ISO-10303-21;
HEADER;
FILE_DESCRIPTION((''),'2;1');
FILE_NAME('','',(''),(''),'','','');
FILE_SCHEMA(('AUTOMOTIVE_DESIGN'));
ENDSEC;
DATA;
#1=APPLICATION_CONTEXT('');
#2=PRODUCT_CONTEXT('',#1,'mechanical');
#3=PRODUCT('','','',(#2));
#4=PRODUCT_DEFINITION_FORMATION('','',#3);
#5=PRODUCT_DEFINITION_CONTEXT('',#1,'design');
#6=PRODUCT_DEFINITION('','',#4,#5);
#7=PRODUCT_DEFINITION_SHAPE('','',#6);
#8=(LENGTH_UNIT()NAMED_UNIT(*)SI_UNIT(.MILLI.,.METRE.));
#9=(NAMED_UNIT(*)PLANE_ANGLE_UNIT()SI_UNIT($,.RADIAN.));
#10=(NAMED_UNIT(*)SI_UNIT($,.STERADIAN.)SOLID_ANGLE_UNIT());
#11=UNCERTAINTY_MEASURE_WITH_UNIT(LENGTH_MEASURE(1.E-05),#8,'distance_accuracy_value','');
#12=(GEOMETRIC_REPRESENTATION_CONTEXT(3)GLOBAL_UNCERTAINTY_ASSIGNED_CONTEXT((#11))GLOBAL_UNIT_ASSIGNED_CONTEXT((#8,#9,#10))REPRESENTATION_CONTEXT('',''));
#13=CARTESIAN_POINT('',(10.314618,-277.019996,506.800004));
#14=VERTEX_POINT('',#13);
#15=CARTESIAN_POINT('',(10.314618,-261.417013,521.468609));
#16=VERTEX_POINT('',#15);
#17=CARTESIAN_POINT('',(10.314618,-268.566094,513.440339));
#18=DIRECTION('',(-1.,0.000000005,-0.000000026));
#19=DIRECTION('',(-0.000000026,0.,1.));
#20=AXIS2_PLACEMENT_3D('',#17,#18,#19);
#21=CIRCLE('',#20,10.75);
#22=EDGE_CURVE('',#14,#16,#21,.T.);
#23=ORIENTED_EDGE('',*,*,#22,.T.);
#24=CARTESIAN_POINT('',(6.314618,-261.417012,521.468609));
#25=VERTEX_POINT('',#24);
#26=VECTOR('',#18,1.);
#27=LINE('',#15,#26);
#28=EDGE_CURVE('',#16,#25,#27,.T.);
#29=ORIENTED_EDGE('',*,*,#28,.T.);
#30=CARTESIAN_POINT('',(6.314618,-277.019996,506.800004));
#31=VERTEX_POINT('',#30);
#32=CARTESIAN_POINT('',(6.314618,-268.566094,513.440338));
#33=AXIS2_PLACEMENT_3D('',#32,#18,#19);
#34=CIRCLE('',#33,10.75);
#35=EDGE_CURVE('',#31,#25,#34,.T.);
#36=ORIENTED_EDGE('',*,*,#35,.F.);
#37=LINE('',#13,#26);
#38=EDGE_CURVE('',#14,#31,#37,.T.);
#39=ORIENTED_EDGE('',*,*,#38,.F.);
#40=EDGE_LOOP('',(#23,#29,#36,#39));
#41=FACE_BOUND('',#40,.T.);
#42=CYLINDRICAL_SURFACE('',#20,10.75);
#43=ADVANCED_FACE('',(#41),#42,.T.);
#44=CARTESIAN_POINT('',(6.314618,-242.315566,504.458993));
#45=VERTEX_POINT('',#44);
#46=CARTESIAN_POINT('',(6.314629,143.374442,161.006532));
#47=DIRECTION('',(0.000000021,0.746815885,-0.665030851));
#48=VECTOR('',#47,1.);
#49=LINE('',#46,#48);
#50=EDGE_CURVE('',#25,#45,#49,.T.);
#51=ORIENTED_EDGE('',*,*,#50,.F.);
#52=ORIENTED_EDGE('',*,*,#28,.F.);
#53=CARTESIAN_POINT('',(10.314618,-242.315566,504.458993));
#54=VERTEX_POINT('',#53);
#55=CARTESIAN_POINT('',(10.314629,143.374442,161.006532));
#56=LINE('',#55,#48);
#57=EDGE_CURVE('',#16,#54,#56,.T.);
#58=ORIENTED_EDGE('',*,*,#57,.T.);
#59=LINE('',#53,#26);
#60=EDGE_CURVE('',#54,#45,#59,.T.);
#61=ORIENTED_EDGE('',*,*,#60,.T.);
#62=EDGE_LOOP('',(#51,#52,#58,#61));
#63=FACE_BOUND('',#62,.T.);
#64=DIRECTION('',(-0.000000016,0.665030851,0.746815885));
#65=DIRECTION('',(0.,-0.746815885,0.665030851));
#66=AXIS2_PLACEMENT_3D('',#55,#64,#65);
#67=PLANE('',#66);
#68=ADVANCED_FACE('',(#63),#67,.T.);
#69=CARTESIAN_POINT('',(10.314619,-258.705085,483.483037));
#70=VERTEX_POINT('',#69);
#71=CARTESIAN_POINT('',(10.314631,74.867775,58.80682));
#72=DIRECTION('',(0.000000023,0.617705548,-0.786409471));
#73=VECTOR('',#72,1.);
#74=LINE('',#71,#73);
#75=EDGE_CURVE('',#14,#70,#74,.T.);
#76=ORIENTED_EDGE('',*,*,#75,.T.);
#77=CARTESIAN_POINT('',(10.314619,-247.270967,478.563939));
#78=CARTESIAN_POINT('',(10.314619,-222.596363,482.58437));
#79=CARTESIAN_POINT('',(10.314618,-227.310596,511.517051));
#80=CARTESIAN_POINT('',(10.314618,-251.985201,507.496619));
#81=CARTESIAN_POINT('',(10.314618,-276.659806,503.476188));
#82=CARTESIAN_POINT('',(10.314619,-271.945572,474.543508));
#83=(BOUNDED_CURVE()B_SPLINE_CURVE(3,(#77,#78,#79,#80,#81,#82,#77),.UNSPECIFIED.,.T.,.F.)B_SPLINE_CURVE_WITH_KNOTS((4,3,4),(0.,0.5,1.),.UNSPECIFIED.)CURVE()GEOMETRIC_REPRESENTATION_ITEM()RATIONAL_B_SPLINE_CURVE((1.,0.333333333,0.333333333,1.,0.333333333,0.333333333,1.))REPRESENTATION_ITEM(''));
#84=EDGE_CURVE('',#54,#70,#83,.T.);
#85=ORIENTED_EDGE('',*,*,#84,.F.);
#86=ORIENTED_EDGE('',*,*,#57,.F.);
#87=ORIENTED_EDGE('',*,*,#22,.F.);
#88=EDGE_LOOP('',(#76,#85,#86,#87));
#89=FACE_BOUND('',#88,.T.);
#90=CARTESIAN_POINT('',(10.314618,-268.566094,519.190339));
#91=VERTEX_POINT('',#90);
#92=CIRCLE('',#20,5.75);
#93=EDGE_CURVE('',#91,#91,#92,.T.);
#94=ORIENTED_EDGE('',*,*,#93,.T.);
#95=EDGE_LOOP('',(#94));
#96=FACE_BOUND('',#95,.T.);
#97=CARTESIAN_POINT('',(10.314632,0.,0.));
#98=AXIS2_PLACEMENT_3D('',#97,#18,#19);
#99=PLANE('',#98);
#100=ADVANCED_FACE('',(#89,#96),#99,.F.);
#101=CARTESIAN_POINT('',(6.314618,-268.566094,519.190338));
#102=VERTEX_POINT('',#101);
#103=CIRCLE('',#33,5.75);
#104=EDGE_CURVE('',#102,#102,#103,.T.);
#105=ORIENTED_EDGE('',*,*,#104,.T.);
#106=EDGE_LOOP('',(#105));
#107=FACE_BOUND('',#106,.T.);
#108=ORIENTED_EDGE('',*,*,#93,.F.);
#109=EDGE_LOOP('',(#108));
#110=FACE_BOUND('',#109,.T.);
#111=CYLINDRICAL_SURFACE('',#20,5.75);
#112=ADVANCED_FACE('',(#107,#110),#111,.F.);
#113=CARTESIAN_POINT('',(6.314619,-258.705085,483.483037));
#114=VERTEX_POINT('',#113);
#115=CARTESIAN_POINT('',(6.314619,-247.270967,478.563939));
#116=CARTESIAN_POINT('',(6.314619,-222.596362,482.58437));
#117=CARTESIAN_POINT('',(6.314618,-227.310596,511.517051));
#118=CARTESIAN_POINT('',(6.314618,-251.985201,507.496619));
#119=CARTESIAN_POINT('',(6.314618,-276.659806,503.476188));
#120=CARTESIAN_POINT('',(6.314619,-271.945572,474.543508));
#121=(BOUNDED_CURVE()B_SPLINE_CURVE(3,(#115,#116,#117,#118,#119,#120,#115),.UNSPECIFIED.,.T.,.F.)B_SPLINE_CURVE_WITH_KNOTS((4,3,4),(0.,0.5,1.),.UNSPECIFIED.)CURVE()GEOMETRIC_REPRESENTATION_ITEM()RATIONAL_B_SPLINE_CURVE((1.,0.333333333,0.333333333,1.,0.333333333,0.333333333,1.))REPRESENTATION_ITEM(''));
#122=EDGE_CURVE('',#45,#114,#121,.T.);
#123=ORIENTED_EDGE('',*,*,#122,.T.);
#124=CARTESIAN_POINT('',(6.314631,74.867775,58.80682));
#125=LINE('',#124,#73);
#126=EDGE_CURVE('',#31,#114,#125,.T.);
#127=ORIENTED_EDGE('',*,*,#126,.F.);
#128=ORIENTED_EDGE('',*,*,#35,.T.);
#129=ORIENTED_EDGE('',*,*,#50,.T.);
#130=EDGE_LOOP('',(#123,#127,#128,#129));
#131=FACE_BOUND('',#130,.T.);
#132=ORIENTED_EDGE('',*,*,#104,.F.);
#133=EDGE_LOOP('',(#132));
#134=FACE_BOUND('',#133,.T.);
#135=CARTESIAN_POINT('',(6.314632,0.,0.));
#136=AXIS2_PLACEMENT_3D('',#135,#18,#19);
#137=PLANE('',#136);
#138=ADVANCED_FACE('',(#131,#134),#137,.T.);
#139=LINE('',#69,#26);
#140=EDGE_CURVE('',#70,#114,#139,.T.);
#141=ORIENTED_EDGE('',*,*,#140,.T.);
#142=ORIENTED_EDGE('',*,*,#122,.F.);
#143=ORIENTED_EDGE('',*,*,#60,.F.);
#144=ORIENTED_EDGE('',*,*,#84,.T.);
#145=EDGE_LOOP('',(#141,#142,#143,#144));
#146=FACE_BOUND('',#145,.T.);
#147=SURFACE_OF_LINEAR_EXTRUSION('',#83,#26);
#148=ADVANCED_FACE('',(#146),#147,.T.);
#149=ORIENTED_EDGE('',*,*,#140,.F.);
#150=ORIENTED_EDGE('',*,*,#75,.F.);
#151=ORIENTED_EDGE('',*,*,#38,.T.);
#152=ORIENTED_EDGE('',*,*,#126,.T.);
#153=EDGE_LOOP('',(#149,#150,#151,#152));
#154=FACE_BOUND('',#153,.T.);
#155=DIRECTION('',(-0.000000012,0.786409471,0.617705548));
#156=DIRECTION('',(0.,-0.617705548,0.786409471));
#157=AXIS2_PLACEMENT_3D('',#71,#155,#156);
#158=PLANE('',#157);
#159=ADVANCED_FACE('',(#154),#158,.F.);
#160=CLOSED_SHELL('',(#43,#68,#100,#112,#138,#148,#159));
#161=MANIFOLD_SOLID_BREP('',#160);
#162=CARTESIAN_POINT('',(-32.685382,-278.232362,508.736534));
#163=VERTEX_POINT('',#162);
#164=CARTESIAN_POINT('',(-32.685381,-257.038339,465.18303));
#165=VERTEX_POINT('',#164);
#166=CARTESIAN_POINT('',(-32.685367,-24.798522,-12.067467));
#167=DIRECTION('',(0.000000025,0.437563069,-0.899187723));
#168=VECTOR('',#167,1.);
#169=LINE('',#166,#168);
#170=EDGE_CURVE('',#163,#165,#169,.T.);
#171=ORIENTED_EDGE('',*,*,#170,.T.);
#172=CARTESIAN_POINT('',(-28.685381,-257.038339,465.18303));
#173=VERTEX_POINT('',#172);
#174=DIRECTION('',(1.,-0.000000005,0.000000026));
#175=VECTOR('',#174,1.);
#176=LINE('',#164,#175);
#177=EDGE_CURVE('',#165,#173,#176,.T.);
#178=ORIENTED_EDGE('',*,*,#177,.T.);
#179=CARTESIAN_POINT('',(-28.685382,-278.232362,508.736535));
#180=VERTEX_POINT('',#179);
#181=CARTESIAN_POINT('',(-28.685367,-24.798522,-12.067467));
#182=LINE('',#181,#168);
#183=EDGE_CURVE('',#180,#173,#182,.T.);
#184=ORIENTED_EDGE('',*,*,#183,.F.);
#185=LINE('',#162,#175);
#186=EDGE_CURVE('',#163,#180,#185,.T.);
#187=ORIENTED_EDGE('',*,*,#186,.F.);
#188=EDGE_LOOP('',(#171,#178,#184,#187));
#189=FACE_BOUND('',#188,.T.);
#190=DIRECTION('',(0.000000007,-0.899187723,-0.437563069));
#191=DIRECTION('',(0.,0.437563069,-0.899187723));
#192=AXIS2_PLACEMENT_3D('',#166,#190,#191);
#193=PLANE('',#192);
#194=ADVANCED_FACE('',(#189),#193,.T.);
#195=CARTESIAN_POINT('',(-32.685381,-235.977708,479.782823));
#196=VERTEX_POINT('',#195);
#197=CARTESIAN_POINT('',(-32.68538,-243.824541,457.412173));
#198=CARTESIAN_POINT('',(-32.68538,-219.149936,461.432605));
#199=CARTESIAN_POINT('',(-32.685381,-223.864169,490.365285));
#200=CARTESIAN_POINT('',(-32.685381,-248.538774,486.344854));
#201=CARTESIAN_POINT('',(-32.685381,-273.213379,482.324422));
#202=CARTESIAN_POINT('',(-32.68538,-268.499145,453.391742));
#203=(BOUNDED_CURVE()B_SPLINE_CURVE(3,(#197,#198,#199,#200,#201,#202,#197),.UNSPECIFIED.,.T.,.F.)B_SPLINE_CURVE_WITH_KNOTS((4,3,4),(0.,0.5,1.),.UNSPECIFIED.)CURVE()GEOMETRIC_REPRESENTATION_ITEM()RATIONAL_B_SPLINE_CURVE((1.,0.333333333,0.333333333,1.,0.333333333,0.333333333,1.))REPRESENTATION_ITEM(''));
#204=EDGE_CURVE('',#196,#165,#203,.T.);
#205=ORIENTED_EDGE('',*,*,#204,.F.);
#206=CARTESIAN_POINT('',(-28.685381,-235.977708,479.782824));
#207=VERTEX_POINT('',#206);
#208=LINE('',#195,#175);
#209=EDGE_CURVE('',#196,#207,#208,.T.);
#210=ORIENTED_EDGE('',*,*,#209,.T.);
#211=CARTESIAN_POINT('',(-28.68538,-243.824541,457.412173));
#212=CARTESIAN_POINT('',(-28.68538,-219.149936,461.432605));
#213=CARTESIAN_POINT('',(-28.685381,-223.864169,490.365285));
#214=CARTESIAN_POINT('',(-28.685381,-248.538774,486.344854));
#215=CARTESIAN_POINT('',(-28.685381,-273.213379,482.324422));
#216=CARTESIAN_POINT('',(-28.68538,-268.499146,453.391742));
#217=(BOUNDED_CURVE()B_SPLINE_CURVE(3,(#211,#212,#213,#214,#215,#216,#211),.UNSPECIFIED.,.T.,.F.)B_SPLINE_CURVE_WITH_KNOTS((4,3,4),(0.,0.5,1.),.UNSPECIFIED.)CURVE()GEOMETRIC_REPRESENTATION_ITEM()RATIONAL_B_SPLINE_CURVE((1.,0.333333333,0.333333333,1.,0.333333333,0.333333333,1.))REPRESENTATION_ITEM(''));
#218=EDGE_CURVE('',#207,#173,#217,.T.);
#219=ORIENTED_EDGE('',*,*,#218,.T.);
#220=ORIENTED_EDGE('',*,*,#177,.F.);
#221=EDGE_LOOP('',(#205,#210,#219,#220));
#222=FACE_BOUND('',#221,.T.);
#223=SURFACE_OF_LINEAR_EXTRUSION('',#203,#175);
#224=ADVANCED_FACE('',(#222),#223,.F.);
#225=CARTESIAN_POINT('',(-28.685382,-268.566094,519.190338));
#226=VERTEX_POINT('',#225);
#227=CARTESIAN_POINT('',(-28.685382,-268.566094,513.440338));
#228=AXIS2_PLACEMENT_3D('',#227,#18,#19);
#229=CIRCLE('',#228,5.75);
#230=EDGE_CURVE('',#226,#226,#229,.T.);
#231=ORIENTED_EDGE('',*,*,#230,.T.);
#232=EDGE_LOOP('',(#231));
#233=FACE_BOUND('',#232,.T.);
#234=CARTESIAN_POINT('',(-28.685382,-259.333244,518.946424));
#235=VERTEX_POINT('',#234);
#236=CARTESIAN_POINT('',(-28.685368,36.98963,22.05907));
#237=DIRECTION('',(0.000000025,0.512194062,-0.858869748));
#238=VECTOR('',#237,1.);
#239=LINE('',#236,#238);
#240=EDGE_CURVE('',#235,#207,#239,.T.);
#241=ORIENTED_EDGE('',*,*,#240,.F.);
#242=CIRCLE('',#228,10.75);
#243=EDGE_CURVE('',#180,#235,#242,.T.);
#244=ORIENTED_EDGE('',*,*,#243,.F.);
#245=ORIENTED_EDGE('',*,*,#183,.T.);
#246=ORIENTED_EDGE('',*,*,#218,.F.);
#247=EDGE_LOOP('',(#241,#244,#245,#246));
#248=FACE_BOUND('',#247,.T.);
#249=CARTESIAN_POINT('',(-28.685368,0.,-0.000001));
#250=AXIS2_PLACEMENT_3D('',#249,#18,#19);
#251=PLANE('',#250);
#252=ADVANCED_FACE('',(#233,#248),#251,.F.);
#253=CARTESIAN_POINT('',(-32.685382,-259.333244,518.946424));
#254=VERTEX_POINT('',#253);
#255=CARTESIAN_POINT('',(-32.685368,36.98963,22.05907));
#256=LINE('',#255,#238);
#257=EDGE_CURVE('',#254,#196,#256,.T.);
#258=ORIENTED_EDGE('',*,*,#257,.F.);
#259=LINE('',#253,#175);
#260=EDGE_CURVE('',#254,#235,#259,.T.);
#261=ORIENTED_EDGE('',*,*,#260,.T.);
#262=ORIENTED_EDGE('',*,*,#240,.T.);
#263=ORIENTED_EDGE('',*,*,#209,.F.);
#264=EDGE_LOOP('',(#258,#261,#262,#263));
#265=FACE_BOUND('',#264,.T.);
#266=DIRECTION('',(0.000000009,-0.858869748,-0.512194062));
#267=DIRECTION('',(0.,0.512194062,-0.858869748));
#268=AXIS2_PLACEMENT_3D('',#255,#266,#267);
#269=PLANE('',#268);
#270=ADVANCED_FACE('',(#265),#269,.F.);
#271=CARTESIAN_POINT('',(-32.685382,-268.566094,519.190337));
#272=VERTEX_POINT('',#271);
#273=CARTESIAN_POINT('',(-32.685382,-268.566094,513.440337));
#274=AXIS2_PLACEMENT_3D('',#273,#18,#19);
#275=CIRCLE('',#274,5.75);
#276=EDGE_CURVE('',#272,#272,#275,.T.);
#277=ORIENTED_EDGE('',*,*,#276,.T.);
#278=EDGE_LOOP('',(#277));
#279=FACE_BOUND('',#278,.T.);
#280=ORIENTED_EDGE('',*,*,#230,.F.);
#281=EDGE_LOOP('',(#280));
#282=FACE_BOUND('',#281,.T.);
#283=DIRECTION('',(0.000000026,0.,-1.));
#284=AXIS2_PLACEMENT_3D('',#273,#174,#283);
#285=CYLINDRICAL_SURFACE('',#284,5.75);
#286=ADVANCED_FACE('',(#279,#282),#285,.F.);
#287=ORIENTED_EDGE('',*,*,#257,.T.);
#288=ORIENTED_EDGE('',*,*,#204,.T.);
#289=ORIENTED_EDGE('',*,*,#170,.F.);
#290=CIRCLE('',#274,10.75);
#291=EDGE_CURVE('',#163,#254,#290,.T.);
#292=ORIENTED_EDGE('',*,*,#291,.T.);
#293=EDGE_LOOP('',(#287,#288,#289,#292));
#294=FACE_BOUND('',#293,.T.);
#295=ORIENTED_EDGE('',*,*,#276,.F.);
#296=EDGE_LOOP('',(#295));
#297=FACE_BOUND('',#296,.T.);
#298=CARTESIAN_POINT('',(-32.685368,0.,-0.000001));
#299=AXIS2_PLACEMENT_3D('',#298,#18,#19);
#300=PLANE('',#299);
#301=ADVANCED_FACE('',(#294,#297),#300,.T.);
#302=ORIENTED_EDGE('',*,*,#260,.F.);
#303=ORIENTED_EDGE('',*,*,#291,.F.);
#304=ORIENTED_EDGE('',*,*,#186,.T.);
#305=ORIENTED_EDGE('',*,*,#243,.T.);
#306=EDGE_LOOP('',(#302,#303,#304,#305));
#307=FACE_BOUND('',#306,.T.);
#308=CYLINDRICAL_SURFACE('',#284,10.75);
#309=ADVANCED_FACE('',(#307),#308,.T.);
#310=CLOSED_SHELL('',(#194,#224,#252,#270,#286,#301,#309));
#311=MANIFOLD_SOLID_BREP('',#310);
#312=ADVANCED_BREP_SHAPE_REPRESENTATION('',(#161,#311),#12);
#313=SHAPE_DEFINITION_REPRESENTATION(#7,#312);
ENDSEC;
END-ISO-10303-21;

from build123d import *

# Parameters (mm, degrees)
SZKIC1_R                    = 5.75
DODANIE_WYCI_GNI_CIE1_DEPTH = 4
SZKIC2_R                    = 5.75
DODANIE_WYCI_GNI_CIE2_DEPTH = 4


with BuildPart() as part:
    # Szkic1 → Dodanie-wyciągnięcie1 (new body)
    with BuildSketch(Plane(origin=(-28.685367511, 1.43e-07, -7.33e-07), x_dir=(-2.6e-08, 0, 1), z_dir=(-1, 5e-09, -2.6e-08))):
        with BuildLine():
            Line((465.183030948, -257.038339395), (508.736535292, -278.232362129))
            ThreePointArc((508.736535292, -278.232362129), (522.898407751, -273.675636359), (518.946424449, -259.333244325))
            Line((518.946424449, -259.333244325), (479.782824247, -235.97770815))
            add(Edge.make_bspline(
                [(479.782824247, -235.97770815), (485.271231223, -239.250764943), (487.05070972, -244.206726363), (486.344854352, -248.538774469), (485.058364408, -256.434352762), (476.490731879, -262.540897093), (465.183030948, -257.038339395)],
                knots=[0.305089223, 0.305089223, 0.305089223, 0.305089223, 0.5, 0.5, 0.5, 0.792676252, 0.792676252, 0.792676252, 0.792676252], degree=3, weights=[0.52427858, 0.581545157, 0.740118964, 1, 0.609764997, 0.44795503, 0.5145701]))
        make_face()
        with Locations((513.440338286, -268.566094111)):
            Circle(SZKIC1_R, mode=Mode.SUBTRACT)
    extrude(amount=DODANIE_WYCI_GNI_CIE1_DEPTH)


with BuildPart() as body_2:
    # Szkic2 → Dodanie-wyciągnięcie2 (new body)
    with BuildSketch(Plane(origin=(6.314632489, -3.1e-08, 1.61e-07), x_dir=(-2.6e-08, 0, 1), z_dir=(-1, 5e-09, -2.6e-08))):
        with BuildLine():
            Line((483.483036976, -258.705084661), (506.800003645, -277.019995923))
            ThreePointArc((506.800003645, -277.019995923), (521.27263456, -275.92935664), (521.468609055, -261.417012459))
            Line((521.468609055, -261.417012459), (504.458992944, -242.315565525))
            add(Edge.make_bspline(
                [(504.458992944, -242.315565525), (507.216307395, -245.411972599), (507.999423061, -248.899340162), (507.496618946, -251.985201245), (505.969078098, -261.360181924), (494.952781909, -267.71429086), (483.483036976, -258.705084661)],
                knots=[0.349940267, 0.349940267, 0.349940267, 0.349940267, 0.5, 0.5, 0.5, 0.823836763, 0.823836763, 0.823836763, 0.823836763], degree=3, weights=[0.579904455, 0.659888507, 0.799920356, 1, 0.568217649, 0.416089296, 0.543614941]))
        make_face()
        with Locations((513.440338286, -268.566094111)):
            Circle(SZKIC2_R, mode=Mode.SUBTRACT)
    extrude(amount=-DODANIE_WYCI_GNI_CIE2_DEPTH)


solid = Compound([part.part, body_2.part])
